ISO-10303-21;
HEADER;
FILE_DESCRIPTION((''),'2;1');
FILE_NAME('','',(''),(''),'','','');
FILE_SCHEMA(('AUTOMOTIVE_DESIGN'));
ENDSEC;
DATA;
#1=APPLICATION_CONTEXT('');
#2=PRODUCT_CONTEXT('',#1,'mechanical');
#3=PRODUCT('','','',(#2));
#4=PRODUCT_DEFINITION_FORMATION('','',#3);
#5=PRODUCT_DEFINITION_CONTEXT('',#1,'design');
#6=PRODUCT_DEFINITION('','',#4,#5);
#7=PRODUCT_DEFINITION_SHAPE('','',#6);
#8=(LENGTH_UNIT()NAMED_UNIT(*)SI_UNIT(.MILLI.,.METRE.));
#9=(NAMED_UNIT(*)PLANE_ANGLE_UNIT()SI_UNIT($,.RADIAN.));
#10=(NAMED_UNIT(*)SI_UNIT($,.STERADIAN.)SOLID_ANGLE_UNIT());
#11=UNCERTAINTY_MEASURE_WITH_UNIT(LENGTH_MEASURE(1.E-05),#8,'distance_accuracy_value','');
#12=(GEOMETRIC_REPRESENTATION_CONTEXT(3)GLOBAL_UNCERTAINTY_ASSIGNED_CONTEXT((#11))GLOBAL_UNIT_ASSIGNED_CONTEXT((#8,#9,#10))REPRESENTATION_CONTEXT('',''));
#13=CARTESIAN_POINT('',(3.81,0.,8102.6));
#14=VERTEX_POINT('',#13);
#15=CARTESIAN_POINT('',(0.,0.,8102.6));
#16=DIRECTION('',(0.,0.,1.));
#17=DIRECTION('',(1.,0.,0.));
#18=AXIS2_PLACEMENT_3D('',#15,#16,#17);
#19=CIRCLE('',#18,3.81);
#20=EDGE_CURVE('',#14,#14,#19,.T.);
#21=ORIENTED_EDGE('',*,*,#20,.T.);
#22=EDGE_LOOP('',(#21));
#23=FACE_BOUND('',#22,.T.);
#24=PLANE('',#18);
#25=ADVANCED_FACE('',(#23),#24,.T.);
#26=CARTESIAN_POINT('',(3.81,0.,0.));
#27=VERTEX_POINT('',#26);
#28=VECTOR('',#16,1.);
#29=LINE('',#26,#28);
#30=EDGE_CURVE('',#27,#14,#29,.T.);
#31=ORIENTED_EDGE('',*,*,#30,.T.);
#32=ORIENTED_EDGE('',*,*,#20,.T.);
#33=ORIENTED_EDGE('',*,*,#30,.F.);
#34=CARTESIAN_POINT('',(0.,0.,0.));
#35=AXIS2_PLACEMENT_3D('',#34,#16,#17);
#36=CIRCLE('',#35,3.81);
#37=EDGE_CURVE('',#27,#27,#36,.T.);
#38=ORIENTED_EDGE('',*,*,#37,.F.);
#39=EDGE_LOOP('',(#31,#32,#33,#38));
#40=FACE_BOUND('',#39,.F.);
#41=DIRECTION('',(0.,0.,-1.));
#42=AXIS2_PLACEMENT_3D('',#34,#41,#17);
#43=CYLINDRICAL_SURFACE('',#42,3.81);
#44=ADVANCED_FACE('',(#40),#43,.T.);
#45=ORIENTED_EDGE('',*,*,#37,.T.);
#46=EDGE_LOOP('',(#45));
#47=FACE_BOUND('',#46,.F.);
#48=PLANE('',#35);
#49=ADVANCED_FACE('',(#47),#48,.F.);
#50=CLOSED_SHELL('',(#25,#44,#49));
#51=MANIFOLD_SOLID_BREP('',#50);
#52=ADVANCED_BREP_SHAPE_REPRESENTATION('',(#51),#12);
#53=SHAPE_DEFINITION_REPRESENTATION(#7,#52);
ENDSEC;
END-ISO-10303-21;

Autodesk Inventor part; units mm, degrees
ref_plane "YZ Plane" through (0, 0, 0) normal (1, 0, 0) x (0, 1, 0)
ref_plane "XZ Plane" through (0, 0, 0) normal (0, 1, 0) x (-1, 0, 0)
ref_plane "XY Plane" through (0, 0, 0) normal (0, 0, 1) x (1, 0, 0)
sketch "Sketch1" plane through (0, 0, 0) normal (0, 0, 1) x (1, 0, 0)
  circle A0 centre (0, 0) radius 3.81
  dimension "d0" = 7.62
extrude "Extrusion1" add sketch "Sketch1" along normal blind 8102.6
properties part number "2p2kfs" material "Polyethylene, High Density"
